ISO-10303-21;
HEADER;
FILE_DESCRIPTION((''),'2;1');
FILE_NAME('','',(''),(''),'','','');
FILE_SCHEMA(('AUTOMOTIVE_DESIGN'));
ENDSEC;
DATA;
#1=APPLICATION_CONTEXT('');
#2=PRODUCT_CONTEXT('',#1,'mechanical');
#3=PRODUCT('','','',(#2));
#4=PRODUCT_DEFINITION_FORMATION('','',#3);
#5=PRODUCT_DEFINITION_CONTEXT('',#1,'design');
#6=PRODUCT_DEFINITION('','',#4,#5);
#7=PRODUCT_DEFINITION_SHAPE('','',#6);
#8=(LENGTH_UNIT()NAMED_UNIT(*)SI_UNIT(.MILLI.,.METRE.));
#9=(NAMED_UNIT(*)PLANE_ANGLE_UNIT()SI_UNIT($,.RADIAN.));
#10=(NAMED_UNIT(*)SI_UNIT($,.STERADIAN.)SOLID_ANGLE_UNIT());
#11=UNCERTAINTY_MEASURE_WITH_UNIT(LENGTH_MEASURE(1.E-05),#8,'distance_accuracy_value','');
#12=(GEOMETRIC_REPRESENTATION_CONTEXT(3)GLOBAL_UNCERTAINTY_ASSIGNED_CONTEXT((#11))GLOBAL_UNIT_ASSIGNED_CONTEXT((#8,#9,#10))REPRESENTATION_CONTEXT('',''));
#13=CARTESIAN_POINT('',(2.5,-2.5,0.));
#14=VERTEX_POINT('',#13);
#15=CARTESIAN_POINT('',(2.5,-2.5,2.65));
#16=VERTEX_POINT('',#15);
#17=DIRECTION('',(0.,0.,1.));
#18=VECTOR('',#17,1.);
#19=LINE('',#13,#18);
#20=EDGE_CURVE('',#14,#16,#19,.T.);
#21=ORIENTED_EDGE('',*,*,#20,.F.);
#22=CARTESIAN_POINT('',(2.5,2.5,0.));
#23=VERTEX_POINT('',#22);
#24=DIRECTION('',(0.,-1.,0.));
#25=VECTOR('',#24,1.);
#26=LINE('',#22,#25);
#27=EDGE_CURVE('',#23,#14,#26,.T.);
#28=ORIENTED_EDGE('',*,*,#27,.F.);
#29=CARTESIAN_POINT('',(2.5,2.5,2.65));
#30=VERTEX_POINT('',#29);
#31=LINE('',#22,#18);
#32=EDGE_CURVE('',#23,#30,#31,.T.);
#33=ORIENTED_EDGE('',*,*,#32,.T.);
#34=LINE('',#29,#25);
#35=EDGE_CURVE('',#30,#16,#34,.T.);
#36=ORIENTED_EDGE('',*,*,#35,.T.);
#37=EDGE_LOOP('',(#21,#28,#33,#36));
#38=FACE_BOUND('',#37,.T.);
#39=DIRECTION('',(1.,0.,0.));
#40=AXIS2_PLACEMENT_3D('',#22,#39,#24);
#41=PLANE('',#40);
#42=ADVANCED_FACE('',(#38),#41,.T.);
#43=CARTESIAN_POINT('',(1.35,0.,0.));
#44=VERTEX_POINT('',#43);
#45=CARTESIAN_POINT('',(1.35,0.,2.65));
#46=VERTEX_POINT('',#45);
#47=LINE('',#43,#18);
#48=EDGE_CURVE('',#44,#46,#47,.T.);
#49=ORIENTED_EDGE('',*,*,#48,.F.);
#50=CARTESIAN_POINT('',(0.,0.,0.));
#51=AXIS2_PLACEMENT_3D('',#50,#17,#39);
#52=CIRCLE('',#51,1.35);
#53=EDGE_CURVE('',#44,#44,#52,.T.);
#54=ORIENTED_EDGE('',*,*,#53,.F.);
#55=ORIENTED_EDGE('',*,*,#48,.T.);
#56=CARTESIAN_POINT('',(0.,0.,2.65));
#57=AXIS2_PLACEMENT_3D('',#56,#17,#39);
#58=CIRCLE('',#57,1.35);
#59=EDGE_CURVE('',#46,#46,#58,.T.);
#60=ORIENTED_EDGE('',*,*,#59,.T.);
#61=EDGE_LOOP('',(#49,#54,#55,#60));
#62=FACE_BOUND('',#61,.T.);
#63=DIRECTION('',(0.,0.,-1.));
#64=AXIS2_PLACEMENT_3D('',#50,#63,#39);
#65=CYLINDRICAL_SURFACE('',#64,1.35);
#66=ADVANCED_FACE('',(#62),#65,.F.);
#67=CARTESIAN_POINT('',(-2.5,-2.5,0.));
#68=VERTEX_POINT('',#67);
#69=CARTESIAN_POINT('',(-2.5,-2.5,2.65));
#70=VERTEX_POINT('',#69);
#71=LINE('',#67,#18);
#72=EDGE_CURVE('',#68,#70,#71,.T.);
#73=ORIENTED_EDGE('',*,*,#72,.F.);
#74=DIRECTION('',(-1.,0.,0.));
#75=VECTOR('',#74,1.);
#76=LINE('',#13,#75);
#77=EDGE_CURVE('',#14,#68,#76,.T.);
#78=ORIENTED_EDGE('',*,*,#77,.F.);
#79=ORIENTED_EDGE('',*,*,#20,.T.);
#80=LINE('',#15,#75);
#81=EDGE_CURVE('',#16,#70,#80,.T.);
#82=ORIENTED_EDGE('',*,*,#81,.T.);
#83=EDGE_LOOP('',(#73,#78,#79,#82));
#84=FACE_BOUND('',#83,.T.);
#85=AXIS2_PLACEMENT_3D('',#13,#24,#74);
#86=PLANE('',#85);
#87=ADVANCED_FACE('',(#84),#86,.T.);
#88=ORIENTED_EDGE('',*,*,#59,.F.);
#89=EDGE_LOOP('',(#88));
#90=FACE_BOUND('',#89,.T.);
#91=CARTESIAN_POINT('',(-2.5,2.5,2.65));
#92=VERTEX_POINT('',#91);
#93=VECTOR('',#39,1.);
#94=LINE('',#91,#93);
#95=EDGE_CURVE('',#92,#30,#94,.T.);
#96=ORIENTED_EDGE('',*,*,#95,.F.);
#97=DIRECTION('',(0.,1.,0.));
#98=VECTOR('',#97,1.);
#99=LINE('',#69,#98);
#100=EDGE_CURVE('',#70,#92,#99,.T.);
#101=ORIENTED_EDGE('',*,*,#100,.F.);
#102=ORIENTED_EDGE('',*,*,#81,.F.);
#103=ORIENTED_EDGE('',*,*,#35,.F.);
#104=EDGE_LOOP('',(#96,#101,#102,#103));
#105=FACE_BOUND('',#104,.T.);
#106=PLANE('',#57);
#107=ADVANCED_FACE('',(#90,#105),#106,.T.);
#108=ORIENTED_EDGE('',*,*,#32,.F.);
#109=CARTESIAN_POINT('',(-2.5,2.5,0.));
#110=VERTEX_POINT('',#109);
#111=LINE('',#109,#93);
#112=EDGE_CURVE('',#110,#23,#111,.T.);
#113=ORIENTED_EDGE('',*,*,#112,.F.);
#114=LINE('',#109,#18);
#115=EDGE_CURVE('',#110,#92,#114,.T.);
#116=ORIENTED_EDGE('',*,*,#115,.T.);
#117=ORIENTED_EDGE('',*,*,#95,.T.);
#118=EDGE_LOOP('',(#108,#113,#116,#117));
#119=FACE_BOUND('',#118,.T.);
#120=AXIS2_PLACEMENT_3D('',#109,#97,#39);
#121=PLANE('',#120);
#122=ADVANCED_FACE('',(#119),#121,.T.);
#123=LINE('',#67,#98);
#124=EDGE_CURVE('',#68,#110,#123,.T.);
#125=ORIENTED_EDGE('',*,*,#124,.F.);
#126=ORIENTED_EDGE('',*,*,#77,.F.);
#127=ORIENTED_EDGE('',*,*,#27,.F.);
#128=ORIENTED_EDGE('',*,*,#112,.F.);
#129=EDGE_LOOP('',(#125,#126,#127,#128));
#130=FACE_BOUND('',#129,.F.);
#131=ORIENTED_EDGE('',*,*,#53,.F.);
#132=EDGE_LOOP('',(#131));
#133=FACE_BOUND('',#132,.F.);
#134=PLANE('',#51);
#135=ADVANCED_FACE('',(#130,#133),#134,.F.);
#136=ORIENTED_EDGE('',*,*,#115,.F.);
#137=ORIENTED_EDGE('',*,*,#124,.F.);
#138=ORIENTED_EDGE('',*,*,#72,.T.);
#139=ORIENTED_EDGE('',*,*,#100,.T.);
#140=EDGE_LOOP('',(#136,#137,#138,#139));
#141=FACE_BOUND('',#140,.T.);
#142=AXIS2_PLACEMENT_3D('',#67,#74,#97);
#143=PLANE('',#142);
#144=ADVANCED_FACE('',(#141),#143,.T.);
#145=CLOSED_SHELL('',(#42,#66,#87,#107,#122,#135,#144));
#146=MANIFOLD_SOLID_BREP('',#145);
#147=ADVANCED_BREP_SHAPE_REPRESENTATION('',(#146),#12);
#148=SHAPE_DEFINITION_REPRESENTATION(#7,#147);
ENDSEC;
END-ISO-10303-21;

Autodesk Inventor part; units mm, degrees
ref_plane "YZ Plane" through (0, 0, 0) normal (1, 0, 0) x (0, 1, 0)
ref_plane "XZ Plane" through (0, 0, 0) normal (0, 1, 0) x (-1, 0, 0)
ref_plane "XY Plane" through (0, 0, 0) normal (0, 0, 1) x (1, 0, 0)
sketch "Skizze1" plane through (0, 0, 0) normal (0, 0, 1) x (1, 0, 0)
  line L0 (-2.5, 2.5) -> (2.5, 2.5)
  line L1 (2.5, 2.5) -> (2.5, -2.5)
  line L2 (2.5, -2.5) -> (-2.5, -2.5)
  line L3 (-2.5, -2.5) -> (-2.5, 2.5)
  line L4 (-2.5, 2.5) -> (2.5, -2.5) construction
  line L5 (2.5, 2.5) -> (-2.5, -2.5) construction
  circle A0 centre (0, 0) radius 1.35
  dimension "d0" = 5
  dimension "d1" = 5
  dimension "d2" = 2.7
extrude "Extrusion1" add sketch "Skizze1" along normal blind 2.65
properties part number "camm_holder_wrist_part_spacer"
